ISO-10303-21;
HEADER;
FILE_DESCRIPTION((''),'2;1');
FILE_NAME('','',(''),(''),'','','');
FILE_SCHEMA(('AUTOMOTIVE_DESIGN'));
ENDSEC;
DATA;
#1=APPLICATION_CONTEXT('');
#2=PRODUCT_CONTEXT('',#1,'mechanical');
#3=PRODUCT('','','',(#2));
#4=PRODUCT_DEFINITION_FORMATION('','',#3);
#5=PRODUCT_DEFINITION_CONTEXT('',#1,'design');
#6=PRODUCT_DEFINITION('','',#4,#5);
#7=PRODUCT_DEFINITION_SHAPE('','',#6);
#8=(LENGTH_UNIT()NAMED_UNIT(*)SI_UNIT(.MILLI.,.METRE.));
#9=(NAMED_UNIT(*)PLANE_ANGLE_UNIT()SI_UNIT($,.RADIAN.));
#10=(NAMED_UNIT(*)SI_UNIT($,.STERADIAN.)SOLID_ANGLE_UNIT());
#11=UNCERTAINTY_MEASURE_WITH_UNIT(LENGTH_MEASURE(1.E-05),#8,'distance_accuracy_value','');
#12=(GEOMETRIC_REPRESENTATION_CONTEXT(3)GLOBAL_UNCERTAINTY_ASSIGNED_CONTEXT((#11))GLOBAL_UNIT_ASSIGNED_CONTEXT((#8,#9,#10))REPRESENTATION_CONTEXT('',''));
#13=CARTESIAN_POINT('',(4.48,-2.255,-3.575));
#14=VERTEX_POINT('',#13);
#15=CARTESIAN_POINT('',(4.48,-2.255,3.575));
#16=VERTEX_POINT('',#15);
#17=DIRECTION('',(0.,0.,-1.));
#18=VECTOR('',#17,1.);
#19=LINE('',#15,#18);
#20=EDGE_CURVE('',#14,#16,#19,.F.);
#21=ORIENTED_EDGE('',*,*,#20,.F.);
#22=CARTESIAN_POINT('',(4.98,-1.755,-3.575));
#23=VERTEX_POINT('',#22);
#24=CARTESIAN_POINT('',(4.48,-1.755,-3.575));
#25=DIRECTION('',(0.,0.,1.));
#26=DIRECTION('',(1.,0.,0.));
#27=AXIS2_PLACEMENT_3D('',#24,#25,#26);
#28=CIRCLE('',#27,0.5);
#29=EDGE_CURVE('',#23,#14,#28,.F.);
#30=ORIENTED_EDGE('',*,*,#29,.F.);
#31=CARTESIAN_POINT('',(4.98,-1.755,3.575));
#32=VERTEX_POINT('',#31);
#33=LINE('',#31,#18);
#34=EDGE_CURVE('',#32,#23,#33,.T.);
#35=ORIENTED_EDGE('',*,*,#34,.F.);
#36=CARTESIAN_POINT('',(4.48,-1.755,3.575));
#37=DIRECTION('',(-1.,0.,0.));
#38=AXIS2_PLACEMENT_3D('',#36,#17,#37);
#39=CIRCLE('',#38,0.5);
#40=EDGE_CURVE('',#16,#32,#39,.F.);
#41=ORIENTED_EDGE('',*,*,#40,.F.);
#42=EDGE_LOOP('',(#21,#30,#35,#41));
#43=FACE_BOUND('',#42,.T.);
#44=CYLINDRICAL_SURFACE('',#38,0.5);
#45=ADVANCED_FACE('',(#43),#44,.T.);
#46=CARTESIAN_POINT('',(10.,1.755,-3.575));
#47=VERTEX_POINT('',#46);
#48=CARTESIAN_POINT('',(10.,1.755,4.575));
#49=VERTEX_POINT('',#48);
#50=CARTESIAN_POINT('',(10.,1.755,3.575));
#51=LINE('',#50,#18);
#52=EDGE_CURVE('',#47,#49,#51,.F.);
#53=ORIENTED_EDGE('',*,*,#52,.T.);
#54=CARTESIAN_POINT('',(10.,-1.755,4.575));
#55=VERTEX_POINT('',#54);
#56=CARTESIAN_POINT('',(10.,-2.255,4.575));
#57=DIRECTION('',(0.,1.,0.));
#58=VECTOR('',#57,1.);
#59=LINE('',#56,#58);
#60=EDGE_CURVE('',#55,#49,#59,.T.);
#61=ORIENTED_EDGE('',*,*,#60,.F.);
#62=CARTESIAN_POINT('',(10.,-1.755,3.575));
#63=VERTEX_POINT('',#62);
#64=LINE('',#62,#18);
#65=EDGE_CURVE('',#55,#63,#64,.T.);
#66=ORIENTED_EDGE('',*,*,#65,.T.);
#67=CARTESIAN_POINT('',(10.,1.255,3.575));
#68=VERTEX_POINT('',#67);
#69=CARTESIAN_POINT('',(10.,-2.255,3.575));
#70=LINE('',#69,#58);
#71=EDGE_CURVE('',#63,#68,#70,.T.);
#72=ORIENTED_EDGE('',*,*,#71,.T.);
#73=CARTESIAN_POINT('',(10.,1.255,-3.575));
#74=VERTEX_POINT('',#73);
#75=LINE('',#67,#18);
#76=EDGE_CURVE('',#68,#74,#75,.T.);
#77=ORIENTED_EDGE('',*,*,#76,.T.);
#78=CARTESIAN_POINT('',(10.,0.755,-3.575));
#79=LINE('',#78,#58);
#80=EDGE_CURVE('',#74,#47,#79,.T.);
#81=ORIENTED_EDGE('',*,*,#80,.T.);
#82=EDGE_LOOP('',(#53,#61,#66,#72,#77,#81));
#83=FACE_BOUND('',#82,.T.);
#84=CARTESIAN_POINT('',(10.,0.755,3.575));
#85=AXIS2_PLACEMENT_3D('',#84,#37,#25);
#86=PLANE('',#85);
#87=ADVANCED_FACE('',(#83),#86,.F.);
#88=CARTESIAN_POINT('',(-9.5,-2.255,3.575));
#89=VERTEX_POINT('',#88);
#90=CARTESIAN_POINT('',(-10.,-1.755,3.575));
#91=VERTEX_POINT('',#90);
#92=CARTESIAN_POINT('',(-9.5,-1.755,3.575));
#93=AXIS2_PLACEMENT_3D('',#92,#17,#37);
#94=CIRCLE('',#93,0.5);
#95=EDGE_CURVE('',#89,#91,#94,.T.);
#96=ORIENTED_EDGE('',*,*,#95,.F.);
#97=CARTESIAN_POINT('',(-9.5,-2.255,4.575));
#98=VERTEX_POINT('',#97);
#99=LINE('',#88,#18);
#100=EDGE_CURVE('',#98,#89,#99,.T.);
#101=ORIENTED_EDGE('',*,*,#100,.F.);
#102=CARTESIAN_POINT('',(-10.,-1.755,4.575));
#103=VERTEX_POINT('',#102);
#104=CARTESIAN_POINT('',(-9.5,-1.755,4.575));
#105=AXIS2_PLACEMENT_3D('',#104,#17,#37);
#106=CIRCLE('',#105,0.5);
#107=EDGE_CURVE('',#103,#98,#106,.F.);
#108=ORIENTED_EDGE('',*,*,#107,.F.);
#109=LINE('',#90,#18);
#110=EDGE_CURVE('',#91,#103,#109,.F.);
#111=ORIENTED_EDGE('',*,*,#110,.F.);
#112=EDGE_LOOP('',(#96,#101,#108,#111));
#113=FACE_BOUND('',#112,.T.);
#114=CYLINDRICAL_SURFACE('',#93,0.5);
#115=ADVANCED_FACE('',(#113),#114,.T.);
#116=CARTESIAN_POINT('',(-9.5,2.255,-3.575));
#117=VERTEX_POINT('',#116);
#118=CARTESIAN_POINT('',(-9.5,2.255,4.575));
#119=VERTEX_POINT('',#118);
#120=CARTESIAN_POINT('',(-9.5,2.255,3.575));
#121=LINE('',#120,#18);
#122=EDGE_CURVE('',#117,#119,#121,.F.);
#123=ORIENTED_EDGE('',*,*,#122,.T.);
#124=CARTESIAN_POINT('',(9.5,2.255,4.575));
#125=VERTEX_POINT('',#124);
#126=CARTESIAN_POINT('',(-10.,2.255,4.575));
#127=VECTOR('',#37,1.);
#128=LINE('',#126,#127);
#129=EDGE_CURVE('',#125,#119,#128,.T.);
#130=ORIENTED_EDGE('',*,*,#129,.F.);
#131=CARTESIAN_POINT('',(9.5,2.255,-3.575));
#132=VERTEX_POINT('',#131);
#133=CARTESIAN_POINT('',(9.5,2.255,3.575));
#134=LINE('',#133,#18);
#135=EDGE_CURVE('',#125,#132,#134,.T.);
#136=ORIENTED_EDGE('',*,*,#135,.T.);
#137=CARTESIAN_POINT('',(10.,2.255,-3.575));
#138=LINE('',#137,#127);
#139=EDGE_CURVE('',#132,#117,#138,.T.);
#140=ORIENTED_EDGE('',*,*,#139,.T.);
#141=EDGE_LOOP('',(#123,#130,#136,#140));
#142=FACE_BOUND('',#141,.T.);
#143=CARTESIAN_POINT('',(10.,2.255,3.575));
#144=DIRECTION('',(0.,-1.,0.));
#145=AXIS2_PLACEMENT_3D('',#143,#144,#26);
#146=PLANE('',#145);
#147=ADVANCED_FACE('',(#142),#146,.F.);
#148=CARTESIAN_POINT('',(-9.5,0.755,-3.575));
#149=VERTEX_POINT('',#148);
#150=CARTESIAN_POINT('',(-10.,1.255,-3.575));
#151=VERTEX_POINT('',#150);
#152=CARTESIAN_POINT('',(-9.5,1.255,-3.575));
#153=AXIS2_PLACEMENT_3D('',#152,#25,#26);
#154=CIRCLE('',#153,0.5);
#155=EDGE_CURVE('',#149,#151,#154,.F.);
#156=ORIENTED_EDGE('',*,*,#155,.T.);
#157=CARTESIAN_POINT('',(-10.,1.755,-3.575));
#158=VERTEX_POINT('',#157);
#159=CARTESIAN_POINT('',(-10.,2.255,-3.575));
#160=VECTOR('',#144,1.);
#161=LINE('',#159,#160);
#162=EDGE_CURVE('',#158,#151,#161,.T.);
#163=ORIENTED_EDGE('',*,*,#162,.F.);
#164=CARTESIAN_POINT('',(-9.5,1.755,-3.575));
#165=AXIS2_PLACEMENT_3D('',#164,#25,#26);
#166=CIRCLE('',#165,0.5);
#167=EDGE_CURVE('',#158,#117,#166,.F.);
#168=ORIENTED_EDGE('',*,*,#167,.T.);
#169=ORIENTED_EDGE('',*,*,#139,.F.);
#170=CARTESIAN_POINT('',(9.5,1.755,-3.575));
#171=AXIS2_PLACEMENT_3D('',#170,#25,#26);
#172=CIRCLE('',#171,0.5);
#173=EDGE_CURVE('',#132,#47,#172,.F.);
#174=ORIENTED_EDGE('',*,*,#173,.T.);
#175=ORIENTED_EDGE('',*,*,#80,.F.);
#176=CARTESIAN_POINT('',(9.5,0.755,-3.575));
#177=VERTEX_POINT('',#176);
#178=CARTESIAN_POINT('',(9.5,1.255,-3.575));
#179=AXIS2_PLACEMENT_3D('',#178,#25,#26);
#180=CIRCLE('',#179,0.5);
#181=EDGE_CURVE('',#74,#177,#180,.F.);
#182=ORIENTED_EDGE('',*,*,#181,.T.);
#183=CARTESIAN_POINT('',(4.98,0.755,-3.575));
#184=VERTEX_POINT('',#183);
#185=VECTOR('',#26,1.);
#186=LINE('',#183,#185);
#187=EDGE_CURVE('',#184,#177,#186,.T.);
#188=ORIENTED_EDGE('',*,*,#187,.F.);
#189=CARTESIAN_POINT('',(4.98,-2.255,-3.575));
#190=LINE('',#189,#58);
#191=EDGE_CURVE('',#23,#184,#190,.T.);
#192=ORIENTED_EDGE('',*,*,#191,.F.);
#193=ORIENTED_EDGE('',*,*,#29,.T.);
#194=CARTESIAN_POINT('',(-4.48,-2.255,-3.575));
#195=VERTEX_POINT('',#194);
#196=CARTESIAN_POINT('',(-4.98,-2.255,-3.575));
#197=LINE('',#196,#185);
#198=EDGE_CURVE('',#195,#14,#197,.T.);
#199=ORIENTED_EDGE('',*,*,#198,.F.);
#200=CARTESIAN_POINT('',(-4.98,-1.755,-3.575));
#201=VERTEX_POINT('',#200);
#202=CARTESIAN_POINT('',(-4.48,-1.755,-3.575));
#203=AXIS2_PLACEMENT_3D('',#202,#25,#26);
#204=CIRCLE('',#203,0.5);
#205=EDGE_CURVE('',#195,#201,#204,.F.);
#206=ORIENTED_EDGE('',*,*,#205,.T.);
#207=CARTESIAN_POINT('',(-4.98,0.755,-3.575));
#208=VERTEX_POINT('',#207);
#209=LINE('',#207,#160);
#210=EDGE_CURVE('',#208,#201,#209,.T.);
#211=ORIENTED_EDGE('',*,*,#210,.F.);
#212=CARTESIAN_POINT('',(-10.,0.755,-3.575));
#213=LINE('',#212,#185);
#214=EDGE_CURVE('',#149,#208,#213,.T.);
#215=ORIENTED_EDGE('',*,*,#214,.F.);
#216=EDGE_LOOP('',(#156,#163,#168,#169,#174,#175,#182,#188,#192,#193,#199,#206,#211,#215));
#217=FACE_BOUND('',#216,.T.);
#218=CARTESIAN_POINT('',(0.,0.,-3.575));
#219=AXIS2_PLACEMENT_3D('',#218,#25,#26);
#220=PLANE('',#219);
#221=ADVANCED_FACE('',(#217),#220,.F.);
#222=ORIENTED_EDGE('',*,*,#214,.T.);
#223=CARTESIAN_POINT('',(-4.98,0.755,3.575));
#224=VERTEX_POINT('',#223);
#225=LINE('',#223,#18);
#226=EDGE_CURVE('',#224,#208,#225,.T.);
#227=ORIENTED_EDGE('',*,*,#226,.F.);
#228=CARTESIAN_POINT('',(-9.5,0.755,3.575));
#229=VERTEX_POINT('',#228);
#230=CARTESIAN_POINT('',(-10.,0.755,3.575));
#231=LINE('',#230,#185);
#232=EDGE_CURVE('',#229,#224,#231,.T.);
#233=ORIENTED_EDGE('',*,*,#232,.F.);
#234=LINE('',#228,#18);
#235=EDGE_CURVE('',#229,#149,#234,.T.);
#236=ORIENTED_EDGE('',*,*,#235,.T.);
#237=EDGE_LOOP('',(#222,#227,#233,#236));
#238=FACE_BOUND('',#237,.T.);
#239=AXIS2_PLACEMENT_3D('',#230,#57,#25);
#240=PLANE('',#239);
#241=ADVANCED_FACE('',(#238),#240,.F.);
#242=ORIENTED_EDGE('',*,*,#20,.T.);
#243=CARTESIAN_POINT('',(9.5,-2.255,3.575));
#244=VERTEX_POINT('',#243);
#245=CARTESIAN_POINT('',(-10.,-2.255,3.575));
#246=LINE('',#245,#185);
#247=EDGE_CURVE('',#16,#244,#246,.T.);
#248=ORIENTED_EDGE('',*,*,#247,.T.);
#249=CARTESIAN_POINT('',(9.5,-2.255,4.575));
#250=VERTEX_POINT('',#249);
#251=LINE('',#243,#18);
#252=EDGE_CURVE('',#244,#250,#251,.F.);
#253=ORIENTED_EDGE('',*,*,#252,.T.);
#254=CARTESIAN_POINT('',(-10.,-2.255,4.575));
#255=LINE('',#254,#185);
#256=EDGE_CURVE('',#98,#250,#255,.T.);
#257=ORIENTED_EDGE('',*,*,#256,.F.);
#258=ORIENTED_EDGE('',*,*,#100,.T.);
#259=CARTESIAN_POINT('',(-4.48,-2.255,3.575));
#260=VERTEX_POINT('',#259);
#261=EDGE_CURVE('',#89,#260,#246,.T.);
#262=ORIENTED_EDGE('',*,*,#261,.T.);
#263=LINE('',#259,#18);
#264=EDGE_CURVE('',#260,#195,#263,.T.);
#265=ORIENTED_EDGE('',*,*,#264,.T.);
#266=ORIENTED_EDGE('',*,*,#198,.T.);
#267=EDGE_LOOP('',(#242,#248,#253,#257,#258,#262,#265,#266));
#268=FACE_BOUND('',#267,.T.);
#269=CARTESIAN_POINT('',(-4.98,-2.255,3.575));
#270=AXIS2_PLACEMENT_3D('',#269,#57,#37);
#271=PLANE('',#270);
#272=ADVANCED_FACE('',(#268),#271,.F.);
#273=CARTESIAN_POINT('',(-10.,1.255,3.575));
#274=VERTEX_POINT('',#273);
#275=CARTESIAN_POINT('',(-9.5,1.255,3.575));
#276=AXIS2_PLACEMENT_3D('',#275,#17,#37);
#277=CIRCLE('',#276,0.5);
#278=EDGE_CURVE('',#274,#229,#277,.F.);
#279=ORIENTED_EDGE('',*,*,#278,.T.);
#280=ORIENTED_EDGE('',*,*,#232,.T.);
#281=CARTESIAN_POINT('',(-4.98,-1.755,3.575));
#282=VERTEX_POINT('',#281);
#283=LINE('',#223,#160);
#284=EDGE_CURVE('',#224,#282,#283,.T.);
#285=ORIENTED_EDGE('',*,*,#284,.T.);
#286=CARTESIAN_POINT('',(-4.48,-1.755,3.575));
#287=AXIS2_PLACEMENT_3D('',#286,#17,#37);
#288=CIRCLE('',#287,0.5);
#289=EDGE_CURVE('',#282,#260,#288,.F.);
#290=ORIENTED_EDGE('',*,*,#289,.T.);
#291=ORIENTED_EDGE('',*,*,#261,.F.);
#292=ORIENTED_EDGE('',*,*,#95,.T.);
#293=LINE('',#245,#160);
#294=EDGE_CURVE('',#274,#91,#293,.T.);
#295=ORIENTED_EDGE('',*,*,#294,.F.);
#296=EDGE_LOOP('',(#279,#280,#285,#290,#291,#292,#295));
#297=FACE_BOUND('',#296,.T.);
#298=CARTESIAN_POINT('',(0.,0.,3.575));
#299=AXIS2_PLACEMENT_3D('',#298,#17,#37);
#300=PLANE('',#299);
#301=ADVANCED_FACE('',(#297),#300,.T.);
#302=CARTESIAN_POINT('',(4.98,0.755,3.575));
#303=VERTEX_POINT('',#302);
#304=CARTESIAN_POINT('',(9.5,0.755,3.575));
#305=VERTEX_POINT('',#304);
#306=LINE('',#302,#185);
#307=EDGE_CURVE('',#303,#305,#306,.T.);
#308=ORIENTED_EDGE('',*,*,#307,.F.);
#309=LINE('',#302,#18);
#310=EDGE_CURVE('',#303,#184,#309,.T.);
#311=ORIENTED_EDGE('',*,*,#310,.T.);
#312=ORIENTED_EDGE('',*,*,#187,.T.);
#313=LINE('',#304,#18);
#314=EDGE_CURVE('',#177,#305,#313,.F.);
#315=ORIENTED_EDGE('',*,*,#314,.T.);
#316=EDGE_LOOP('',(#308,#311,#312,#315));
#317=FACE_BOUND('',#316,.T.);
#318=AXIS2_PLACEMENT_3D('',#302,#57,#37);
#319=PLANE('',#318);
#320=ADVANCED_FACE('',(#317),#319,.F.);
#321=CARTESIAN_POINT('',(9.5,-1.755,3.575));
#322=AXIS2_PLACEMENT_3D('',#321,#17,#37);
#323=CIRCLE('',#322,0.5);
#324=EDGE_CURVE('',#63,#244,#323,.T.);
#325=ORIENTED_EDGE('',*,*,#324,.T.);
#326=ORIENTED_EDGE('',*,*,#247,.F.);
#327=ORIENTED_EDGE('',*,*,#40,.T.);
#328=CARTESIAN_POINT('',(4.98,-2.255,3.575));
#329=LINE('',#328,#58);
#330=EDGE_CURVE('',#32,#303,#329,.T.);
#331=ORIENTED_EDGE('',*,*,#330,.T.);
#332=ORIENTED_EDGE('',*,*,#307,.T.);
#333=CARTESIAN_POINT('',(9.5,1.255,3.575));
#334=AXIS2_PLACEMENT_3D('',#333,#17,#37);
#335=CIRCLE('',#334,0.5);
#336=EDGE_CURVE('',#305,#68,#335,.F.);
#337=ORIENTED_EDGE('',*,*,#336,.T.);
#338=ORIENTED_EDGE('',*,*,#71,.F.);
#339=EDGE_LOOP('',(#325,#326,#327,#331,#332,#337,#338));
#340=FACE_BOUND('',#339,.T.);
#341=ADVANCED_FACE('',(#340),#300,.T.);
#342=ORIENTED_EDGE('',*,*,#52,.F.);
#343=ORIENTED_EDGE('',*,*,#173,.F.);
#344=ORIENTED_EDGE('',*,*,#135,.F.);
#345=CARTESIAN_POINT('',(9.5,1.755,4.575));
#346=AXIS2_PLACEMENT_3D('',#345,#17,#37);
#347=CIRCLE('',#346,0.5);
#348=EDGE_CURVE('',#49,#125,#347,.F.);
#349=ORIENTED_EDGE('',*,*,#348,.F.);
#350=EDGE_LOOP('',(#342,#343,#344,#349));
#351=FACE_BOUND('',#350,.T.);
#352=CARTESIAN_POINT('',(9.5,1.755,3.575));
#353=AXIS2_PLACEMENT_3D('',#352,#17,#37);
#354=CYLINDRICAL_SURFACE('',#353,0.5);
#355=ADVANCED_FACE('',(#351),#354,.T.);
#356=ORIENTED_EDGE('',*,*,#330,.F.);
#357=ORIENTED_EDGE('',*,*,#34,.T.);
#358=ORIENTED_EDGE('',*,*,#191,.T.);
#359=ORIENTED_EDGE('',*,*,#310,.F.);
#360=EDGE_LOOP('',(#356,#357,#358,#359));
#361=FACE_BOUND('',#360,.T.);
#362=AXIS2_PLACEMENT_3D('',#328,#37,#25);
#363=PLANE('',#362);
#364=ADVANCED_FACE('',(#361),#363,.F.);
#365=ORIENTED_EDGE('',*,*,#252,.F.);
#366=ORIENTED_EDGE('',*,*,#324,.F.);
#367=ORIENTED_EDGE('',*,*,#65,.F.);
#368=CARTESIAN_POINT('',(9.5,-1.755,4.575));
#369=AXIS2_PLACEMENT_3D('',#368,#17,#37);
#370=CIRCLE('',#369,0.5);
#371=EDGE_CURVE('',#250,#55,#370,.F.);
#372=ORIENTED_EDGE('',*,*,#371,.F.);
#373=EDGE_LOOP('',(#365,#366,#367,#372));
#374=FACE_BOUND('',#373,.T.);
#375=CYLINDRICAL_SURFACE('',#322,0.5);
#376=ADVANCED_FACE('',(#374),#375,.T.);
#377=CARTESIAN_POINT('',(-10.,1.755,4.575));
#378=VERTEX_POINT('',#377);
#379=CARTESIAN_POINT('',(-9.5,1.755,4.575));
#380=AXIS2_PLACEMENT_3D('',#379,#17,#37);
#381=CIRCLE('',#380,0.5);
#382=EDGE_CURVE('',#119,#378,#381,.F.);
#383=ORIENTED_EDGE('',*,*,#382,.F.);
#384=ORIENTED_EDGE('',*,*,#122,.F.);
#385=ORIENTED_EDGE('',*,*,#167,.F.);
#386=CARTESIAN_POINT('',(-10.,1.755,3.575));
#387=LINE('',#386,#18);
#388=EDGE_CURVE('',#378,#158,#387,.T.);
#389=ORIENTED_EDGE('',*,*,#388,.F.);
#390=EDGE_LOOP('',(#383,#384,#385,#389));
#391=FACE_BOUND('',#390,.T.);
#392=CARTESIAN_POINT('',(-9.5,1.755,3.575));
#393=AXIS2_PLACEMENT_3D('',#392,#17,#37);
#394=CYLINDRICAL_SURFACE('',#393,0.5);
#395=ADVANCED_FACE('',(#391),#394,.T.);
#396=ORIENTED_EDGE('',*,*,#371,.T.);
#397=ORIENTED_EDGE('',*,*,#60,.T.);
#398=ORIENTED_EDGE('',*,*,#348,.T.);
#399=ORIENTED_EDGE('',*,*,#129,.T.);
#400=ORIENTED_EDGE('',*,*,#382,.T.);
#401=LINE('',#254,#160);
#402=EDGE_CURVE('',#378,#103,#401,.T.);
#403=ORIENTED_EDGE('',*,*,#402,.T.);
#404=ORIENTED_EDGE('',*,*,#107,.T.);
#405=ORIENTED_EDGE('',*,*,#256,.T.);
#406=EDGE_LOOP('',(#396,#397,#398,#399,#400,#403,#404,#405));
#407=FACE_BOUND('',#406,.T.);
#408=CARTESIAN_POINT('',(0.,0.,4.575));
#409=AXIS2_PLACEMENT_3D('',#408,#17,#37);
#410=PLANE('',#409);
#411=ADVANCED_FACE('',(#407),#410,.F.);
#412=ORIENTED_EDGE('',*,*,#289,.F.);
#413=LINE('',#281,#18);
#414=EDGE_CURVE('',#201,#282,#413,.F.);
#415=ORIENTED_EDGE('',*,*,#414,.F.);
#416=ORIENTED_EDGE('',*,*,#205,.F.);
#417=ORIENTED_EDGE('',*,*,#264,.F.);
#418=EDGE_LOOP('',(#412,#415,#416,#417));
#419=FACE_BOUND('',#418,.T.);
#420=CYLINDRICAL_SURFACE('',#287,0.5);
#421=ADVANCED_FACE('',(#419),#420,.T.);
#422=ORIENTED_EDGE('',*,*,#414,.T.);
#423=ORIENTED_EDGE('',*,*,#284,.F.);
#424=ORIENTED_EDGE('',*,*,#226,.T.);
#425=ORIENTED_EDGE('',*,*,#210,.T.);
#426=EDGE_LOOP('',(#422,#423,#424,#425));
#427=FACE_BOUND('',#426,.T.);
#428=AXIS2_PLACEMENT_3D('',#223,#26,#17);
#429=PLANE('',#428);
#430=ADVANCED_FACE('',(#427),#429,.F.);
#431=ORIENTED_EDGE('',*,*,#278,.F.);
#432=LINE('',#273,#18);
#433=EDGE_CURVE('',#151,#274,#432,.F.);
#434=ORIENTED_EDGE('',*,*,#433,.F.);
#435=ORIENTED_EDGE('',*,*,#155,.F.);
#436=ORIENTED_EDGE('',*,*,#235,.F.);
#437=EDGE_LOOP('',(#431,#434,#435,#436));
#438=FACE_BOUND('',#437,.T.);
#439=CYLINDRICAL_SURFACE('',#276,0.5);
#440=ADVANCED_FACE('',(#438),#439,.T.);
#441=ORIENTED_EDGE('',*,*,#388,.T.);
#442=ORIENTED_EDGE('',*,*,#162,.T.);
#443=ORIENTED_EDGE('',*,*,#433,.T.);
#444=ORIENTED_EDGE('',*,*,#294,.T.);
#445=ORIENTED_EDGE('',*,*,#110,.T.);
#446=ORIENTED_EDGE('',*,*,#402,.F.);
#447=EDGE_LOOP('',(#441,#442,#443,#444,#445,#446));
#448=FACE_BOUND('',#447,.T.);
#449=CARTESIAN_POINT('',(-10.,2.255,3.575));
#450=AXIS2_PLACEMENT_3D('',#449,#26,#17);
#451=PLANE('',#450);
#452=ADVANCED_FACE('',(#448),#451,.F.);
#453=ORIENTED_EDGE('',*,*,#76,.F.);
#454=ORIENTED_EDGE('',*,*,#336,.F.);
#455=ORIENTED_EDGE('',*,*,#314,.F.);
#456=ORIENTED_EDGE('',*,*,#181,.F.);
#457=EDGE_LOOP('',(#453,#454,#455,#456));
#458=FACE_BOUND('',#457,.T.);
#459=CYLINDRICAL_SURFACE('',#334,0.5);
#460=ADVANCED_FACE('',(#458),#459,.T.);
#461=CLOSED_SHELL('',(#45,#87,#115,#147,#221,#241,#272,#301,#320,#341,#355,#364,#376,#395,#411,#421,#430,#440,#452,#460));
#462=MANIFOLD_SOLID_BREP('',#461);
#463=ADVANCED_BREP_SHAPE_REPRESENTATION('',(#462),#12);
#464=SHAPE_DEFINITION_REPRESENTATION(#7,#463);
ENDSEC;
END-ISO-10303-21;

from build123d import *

# Parameters (mm, degrees)
BOSS_EXTRUDE1_DEPTH = 3.575
SKETCH3_W           = 20
SKETCH3_H           = 4.51
BOSS_EXTRUDE2_DEPTH = 1
FILLET1_R           = 0.5


with BuildPart() as part:
    # Sketch2 → Boss-Extrude1 (new, symmetric)
    with BuildSketch(Plane.XY):
        Polygon((-4.98, -2.255), (4.98, -2.255), (4.98, 0.755), (10, 0.755), (10, 2.255), (-10, 2.255), (-10, 0.755), (-4.98, 0.755), align=None)
    extrude(amount=BOSS_EXTRUDE1_DEPTH, both=True)

    # Sketch3 → Boss-Extrude2 (add)
    with BuildSketch(Plane.XY.offset(3.575)):
        Rectangle(SKETCH3_W, SKETCH3_H)
    extrude(amount=BOSS_EXTRUDE2_DEPTH)

    # Fillet1
    fillet1_edges = [part.edges().sort_by_distance(p)[0] for p in [
        (-10, 0.755, 0),
        (-10, 2.255, 0.5),
        (10, 2.255, 0.5),
        (10, 0.755, 0),
        (4.98, -2.255, 0),
        (-4.98, -2.255, 0),
        (10, -2.255, 4.075),
        (-10, -2.255, 4.075),
    ]]
    fillet(fillet1_edges, radius=FILLET1_R)


solid = part.part
